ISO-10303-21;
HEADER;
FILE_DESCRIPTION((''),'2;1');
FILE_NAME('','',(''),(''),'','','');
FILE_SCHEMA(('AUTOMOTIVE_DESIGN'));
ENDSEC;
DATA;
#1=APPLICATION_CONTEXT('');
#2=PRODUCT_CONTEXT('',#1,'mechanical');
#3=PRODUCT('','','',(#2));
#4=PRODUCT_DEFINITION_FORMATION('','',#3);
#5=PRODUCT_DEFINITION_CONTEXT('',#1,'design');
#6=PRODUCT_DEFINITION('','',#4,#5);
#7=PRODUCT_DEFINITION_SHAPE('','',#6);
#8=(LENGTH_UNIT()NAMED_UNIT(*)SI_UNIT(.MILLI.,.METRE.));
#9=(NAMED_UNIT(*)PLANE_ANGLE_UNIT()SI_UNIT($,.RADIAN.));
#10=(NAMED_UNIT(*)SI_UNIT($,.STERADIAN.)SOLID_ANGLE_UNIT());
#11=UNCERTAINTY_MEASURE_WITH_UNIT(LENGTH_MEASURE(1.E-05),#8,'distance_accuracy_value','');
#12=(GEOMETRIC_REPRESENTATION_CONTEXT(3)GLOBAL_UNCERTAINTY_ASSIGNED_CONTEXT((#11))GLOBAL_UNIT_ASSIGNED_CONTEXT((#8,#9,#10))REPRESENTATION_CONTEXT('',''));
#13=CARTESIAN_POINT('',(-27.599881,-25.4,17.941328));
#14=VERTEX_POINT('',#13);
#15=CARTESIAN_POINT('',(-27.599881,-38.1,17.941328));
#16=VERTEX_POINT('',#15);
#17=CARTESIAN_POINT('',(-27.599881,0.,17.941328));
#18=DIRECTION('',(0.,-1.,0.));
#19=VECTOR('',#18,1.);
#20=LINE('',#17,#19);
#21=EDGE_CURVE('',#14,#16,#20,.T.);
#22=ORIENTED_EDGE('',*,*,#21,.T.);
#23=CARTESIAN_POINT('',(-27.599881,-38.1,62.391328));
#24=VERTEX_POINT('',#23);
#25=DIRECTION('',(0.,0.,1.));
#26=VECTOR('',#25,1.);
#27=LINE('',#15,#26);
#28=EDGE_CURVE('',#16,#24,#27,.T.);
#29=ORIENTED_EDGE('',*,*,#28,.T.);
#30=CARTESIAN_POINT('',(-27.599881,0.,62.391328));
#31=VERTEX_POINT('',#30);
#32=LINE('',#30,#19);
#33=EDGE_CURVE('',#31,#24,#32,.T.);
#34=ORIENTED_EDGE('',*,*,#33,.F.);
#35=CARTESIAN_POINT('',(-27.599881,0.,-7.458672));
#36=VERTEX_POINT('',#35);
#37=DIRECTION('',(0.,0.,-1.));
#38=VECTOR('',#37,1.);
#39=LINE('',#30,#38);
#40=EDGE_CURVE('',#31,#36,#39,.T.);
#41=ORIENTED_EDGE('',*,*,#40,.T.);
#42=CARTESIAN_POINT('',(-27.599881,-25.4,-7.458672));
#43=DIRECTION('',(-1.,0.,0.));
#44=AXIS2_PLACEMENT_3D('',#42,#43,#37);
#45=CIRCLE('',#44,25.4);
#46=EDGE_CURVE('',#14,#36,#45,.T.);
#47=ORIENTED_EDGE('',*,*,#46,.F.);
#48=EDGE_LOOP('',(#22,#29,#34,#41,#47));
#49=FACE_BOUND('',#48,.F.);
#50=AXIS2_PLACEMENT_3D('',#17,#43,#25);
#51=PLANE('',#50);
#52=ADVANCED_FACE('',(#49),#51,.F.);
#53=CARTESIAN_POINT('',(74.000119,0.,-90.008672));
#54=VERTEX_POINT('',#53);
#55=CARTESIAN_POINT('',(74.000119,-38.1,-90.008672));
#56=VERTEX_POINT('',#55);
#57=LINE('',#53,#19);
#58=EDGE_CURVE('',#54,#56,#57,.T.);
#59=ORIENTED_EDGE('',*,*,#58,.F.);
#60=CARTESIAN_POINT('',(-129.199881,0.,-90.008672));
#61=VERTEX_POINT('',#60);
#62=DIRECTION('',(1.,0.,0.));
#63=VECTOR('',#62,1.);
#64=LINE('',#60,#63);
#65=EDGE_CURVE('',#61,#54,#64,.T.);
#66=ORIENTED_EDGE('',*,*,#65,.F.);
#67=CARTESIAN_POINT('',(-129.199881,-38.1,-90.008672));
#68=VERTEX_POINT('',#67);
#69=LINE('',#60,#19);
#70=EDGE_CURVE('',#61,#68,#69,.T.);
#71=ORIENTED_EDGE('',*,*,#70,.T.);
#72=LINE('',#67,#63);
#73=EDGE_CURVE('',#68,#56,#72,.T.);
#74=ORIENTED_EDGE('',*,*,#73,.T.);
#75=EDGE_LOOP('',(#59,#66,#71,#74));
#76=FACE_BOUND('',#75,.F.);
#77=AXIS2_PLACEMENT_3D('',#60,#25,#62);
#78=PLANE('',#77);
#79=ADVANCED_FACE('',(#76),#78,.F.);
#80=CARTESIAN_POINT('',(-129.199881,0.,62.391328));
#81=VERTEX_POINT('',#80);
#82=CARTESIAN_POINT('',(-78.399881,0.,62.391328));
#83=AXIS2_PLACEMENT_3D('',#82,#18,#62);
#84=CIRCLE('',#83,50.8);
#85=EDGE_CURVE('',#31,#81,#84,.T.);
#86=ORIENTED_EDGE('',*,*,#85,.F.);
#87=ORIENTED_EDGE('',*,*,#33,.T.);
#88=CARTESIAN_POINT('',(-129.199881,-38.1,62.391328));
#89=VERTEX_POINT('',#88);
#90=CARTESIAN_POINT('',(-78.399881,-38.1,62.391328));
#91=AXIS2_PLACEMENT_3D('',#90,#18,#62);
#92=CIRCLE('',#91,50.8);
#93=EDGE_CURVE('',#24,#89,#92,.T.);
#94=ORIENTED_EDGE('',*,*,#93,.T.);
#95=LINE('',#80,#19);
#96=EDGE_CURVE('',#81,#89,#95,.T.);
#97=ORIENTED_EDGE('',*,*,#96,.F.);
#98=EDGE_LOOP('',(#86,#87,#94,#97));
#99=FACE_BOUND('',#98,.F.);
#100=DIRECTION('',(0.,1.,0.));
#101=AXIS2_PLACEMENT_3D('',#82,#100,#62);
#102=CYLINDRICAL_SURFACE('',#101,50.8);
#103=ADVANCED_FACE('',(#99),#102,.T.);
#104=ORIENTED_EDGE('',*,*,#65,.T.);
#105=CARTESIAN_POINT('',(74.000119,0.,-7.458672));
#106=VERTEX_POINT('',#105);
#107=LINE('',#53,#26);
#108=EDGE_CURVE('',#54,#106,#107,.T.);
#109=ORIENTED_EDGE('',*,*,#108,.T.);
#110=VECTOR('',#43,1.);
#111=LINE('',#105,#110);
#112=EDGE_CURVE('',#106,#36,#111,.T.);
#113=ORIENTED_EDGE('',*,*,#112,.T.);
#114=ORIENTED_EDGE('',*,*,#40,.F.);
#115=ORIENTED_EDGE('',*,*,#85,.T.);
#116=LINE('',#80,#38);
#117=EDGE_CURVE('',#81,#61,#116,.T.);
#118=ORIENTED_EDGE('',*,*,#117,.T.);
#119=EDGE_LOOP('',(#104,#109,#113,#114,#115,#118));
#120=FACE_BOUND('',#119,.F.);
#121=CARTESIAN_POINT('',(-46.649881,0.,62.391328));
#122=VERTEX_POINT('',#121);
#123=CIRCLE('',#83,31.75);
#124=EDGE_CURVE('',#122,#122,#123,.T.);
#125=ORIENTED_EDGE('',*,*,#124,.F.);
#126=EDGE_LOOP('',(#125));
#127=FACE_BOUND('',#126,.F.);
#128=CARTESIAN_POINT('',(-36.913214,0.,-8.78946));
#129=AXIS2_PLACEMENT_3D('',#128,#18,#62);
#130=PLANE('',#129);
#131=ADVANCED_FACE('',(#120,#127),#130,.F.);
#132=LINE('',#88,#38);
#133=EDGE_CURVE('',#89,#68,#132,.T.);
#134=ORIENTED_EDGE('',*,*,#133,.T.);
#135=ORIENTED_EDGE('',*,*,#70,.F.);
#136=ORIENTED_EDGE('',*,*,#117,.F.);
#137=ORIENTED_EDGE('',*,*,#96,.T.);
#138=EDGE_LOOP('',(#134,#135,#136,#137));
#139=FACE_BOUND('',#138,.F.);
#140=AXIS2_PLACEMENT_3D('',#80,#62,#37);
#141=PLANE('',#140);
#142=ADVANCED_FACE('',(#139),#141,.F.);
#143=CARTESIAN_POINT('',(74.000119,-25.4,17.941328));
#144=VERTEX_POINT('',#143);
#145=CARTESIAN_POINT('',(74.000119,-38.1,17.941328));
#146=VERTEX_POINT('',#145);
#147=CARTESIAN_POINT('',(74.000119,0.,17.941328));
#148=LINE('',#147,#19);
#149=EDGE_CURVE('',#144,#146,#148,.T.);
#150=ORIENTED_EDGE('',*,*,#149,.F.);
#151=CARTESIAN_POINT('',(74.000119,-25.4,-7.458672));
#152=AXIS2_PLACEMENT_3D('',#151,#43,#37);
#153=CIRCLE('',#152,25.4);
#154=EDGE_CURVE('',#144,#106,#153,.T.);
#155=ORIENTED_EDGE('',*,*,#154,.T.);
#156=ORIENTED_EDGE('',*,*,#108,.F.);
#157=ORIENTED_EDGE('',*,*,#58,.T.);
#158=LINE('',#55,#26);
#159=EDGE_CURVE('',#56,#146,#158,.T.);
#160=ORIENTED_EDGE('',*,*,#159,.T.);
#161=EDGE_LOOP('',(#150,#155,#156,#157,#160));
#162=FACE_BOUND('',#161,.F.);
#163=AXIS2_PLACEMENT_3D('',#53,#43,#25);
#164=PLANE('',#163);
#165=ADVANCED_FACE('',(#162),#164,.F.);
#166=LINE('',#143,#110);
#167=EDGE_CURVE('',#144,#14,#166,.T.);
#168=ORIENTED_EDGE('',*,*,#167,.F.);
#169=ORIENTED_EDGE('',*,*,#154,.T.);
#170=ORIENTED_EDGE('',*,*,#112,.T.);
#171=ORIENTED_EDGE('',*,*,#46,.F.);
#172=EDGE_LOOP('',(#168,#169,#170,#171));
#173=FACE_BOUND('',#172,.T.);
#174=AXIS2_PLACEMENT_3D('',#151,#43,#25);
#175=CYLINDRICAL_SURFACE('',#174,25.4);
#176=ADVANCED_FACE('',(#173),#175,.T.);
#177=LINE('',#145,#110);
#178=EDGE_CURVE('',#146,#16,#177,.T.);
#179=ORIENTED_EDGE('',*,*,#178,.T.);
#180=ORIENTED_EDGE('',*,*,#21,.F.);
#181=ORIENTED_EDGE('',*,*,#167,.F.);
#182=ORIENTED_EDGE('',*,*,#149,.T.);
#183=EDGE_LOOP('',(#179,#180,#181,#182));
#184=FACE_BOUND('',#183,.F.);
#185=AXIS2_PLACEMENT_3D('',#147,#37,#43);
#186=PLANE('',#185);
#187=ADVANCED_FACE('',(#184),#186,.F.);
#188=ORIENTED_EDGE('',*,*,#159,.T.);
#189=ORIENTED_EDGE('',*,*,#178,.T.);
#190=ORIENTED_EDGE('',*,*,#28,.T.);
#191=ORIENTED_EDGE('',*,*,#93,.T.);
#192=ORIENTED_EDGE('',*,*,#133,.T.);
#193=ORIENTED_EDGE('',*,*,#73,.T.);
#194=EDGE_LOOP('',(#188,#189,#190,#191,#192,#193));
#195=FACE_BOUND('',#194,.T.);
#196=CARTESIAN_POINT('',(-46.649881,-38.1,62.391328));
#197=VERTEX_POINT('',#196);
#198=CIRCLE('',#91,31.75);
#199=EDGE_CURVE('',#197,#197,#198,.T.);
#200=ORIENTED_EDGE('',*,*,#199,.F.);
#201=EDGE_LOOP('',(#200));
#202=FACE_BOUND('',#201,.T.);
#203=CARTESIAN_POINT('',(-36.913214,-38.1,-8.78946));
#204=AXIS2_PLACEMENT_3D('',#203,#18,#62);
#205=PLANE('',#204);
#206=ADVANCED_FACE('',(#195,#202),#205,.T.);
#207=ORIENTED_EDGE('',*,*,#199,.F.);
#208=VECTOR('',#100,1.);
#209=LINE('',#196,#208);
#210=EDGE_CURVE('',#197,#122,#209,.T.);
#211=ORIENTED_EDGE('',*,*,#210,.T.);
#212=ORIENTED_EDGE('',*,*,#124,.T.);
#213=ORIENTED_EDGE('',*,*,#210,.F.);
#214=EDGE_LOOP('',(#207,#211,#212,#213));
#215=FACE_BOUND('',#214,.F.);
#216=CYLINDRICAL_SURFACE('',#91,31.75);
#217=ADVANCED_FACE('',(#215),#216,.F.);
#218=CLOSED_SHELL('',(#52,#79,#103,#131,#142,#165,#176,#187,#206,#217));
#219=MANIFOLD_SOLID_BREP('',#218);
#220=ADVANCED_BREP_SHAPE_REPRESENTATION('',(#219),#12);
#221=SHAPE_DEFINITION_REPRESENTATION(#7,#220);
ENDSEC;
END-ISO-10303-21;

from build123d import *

# Parameters (mm, degrees)
F1_DEPTH = 38.1
F2_R     = 25.4
F3_R     = 31.75
F4_DEPTH = 50.8


with BuildPart() as f1:
    # F0 (on Front) → F1 (new body)
    with BuildSketch(Plane.XZ):
        with BuildLine():
            ThreePointArc((-27.599881, 62.391328), (-78.399881, 113.191328), (-129.199881, 62.391328))
            Line((-129.199881, 62.391328), (-129.199881, -90.008672))
            Line((-129.199881, -90.008672), (74.000119, -90.008672))
            Line((74.000119, -90.008672), (74.000119, 17.941328))
            Line((74.000119, 17.941328), (-27.599881, 17.941328))
            Line((-27.599881, 17.941328), (-27.599881, 62.391328))
        make_face()
    extrude(amount=F1_DEPTH)

    # F2
    f2_edges = [f1.edges().sort_by_distance(p)[0] for p in [
        (23.200119, 0, 17.941328),
    ]]
    fillet(f2_edges, radius=F2_R)

    # F3 (on face) → F4 (cut)
    with BuildSketch(Plane.XZ.offset(38.1)):
        with Locations((-78.399881, 62.391328)):
            Circle(F3_R)
    extrude(amount=-F4_DEPTH, mode=Mode.SUBTRACT)


solid = f1.part
